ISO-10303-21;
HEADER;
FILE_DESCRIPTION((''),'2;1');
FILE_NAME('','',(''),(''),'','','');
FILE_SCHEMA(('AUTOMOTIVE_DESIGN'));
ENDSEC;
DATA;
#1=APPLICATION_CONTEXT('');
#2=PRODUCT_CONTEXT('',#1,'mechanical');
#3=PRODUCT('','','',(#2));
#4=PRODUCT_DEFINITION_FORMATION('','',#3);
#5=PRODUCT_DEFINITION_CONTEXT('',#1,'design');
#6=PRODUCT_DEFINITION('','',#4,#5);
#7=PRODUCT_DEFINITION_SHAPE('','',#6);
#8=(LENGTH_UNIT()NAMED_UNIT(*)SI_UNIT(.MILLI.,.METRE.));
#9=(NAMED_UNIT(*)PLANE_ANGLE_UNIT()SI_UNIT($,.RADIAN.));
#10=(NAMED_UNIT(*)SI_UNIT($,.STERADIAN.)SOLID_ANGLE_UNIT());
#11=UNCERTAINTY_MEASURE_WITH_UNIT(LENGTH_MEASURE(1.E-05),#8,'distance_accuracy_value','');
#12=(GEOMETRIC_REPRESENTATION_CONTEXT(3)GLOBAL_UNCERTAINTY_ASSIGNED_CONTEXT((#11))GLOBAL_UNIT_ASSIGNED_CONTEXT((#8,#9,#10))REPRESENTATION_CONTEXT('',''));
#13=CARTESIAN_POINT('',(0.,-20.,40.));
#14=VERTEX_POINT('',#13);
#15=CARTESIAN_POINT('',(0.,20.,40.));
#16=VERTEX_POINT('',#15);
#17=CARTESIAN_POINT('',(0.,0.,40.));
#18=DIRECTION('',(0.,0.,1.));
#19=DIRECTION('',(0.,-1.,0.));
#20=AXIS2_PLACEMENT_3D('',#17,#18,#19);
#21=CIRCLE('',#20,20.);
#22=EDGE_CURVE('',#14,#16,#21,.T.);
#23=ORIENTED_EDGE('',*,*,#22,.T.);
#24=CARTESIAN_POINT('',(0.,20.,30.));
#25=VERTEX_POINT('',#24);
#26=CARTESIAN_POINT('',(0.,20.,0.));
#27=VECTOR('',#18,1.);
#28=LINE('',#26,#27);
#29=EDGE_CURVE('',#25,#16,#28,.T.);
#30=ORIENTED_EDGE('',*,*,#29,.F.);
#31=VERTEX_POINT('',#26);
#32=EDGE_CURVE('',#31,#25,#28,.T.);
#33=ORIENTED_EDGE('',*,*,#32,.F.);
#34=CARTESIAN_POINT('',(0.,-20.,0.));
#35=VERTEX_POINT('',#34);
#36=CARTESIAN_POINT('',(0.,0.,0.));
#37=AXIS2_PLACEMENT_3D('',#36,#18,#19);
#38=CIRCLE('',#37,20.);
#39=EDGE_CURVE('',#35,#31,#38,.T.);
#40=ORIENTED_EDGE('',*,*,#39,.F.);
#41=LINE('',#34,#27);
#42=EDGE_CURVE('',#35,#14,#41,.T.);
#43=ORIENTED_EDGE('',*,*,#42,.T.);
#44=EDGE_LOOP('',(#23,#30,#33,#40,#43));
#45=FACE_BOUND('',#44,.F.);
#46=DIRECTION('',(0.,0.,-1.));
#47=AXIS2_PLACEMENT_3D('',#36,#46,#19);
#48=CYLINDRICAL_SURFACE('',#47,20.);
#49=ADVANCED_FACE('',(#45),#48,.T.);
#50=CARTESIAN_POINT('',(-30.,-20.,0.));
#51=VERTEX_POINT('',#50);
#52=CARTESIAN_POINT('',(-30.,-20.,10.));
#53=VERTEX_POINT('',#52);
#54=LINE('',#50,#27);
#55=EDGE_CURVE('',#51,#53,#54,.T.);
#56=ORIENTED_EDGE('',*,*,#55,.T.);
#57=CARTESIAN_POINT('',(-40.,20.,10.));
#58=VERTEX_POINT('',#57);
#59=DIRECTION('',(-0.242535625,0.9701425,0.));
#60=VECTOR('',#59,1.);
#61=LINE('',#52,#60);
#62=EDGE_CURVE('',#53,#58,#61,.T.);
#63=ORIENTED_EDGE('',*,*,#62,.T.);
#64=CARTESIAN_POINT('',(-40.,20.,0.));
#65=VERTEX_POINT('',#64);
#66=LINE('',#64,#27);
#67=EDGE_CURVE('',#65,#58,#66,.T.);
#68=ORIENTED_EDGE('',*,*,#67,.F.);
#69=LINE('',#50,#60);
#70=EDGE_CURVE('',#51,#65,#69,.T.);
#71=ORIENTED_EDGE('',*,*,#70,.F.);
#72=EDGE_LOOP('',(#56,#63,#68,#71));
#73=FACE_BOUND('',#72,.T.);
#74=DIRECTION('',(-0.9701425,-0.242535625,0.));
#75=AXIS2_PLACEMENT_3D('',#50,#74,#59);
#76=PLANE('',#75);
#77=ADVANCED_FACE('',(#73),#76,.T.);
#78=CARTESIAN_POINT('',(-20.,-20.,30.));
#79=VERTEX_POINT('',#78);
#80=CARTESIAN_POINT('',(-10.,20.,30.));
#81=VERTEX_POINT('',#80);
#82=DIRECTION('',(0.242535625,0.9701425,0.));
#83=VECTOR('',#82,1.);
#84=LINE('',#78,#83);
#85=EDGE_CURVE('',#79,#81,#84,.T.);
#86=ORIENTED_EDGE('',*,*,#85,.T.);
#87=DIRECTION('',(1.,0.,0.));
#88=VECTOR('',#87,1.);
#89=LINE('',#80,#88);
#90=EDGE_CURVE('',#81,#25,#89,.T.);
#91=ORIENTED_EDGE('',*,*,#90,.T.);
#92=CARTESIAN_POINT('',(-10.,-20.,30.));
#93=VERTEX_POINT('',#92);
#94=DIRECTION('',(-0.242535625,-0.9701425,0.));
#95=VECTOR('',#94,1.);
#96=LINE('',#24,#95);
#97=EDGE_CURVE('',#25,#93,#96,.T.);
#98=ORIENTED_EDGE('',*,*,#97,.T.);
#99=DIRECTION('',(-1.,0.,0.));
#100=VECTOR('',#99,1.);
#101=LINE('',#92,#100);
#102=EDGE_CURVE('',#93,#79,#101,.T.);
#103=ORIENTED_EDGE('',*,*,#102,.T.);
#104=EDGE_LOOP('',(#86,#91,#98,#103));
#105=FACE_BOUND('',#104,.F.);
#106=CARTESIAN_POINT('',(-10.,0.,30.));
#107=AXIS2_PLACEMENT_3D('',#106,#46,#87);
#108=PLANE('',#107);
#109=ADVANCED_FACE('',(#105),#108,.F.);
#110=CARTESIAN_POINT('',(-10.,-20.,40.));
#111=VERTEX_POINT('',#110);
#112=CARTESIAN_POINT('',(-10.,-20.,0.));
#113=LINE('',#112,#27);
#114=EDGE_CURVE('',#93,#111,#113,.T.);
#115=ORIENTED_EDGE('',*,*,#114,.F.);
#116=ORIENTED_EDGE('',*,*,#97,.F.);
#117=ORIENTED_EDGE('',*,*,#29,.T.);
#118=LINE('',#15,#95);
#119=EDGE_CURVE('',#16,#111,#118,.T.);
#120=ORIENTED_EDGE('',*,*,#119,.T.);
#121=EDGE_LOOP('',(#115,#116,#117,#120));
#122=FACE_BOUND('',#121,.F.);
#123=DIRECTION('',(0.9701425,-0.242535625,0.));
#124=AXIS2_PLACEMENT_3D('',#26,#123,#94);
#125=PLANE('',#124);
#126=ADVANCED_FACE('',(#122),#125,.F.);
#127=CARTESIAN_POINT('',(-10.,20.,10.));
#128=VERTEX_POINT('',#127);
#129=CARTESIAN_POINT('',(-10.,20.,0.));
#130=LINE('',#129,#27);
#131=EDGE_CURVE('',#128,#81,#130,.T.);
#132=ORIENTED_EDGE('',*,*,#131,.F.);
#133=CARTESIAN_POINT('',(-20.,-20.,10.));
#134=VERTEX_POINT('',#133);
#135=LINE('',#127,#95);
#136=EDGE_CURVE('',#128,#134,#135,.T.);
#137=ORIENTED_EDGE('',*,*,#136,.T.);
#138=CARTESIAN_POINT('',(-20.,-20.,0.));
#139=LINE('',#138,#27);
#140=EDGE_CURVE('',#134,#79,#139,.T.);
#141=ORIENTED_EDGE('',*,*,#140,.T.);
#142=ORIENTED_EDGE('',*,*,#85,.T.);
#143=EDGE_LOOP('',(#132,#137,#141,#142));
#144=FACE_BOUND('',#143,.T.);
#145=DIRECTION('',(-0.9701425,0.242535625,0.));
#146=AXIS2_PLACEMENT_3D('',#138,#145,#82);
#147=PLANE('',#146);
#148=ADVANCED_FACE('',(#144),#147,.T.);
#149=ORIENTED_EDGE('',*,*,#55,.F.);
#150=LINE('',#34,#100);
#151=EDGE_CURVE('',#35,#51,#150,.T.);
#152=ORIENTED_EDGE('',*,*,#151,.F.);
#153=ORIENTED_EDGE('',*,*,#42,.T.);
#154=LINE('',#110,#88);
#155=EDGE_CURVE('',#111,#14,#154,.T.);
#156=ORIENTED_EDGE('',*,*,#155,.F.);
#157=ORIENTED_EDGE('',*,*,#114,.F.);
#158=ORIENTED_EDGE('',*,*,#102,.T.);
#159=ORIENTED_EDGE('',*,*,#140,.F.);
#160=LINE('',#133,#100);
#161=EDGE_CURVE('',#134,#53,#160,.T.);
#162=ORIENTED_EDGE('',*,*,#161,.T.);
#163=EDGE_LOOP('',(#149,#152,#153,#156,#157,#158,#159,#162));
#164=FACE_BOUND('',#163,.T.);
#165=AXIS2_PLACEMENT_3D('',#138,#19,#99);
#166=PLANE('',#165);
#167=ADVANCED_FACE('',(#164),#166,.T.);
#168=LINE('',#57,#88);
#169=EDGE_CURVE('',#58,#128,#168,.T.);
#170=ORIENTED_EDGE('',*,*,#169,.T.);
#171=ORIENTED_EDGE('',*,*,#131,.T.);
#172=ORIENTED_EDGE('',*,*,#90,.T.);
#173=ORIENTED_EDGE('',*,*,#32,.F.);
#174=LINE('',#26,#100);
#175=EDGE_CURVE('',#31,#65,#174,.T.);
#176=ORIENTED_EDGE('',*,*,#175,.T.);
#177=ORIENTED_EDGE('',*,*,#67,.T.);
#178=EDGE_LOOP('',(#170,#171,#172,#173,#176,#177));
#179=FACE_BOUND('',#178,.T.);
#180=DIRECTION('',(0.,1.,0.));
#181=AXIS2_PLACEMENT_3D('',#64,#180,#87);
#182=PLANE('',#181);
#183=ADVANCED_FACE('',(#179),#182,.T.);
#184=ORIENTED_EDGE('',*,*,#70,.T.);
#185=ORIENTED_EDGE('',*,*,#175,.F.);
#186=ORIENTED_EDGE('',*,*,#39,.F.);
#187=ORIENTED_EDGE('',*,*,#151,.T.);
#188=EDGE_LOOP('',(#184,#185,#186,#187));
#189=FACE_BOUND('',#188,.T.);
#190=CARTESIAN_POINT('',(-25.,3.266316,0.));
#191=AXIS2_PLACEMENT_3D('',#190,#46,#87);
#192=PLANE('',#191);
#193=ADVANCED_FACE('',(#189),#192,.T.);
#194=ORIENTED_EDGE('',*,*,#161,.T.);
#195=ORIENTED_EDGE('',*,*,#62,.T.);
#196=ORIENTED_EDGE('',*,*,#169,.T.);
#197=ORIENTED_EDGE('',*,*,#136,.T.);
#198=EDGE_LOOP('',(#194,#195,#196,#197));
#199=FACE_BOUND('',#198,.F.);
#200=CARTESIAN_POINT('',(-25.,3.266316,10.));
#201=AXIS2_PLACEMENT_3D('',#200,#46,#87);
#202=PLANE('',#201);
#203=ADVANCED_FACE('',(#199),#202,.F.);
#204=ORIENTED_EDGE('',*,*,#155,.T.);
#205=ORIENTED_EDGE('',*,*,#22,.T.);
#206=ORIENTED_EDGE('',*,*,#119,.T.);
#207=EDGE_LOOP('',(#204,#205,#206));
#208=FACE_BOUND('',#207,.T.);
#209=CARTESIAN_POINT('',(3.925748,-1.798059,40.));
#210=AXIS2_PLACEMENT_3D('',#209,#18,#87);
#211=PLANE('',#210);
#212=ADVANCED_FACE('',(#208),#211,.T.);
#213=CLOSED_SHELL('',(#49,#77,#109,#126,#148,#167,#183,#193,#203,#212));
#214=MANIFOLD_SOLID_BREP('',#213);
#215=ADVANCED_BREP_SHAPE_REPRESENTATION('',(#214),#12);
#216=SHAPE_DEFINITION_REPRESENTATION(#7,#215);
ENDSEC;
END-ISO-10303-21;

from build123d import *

# Parameters (mm, degrees)
F1_DEPTH = 40
F3_DEPTH = 30
F5_DEPTH = 10


with BuildPart() as f1:
    # F0 (on Top) → F1 (new body)
    with BuildSketch(Plane.XY):
        with BuildLine():
            Line((-10, -20), (0, -20))
            ThreePointArc((0, -20), (20, 0), (0, 20))
            Line((0, 20), (-10, -20))
        make_face()
    extrude(amount=F1_DEPTH)

    # F2 (on face) → F3 (join)
    with BuildSketch(Plane(origin=(0, 0, 0), x_dir=(1, 0, 0), z_dir=(0, 0, -1))):
        Polygon((-10, -20), (0, -20), (-10, 20), (-20, 20), align=None)
    extrude(amount=-F3_DEPTH)

    # F4 (on face) → F5 (join)
    with BuildSketch(Plane(origin=(0, 0, 0), x_dir=(1, 0, 0), z_dir=(0, 0, -1))):
        Polygon((-40, -20), (-10, -20), (-20, 20), (-30, 20), align=None)
    extrude(amount=-F5_DEPTH)


solid = f1.part
